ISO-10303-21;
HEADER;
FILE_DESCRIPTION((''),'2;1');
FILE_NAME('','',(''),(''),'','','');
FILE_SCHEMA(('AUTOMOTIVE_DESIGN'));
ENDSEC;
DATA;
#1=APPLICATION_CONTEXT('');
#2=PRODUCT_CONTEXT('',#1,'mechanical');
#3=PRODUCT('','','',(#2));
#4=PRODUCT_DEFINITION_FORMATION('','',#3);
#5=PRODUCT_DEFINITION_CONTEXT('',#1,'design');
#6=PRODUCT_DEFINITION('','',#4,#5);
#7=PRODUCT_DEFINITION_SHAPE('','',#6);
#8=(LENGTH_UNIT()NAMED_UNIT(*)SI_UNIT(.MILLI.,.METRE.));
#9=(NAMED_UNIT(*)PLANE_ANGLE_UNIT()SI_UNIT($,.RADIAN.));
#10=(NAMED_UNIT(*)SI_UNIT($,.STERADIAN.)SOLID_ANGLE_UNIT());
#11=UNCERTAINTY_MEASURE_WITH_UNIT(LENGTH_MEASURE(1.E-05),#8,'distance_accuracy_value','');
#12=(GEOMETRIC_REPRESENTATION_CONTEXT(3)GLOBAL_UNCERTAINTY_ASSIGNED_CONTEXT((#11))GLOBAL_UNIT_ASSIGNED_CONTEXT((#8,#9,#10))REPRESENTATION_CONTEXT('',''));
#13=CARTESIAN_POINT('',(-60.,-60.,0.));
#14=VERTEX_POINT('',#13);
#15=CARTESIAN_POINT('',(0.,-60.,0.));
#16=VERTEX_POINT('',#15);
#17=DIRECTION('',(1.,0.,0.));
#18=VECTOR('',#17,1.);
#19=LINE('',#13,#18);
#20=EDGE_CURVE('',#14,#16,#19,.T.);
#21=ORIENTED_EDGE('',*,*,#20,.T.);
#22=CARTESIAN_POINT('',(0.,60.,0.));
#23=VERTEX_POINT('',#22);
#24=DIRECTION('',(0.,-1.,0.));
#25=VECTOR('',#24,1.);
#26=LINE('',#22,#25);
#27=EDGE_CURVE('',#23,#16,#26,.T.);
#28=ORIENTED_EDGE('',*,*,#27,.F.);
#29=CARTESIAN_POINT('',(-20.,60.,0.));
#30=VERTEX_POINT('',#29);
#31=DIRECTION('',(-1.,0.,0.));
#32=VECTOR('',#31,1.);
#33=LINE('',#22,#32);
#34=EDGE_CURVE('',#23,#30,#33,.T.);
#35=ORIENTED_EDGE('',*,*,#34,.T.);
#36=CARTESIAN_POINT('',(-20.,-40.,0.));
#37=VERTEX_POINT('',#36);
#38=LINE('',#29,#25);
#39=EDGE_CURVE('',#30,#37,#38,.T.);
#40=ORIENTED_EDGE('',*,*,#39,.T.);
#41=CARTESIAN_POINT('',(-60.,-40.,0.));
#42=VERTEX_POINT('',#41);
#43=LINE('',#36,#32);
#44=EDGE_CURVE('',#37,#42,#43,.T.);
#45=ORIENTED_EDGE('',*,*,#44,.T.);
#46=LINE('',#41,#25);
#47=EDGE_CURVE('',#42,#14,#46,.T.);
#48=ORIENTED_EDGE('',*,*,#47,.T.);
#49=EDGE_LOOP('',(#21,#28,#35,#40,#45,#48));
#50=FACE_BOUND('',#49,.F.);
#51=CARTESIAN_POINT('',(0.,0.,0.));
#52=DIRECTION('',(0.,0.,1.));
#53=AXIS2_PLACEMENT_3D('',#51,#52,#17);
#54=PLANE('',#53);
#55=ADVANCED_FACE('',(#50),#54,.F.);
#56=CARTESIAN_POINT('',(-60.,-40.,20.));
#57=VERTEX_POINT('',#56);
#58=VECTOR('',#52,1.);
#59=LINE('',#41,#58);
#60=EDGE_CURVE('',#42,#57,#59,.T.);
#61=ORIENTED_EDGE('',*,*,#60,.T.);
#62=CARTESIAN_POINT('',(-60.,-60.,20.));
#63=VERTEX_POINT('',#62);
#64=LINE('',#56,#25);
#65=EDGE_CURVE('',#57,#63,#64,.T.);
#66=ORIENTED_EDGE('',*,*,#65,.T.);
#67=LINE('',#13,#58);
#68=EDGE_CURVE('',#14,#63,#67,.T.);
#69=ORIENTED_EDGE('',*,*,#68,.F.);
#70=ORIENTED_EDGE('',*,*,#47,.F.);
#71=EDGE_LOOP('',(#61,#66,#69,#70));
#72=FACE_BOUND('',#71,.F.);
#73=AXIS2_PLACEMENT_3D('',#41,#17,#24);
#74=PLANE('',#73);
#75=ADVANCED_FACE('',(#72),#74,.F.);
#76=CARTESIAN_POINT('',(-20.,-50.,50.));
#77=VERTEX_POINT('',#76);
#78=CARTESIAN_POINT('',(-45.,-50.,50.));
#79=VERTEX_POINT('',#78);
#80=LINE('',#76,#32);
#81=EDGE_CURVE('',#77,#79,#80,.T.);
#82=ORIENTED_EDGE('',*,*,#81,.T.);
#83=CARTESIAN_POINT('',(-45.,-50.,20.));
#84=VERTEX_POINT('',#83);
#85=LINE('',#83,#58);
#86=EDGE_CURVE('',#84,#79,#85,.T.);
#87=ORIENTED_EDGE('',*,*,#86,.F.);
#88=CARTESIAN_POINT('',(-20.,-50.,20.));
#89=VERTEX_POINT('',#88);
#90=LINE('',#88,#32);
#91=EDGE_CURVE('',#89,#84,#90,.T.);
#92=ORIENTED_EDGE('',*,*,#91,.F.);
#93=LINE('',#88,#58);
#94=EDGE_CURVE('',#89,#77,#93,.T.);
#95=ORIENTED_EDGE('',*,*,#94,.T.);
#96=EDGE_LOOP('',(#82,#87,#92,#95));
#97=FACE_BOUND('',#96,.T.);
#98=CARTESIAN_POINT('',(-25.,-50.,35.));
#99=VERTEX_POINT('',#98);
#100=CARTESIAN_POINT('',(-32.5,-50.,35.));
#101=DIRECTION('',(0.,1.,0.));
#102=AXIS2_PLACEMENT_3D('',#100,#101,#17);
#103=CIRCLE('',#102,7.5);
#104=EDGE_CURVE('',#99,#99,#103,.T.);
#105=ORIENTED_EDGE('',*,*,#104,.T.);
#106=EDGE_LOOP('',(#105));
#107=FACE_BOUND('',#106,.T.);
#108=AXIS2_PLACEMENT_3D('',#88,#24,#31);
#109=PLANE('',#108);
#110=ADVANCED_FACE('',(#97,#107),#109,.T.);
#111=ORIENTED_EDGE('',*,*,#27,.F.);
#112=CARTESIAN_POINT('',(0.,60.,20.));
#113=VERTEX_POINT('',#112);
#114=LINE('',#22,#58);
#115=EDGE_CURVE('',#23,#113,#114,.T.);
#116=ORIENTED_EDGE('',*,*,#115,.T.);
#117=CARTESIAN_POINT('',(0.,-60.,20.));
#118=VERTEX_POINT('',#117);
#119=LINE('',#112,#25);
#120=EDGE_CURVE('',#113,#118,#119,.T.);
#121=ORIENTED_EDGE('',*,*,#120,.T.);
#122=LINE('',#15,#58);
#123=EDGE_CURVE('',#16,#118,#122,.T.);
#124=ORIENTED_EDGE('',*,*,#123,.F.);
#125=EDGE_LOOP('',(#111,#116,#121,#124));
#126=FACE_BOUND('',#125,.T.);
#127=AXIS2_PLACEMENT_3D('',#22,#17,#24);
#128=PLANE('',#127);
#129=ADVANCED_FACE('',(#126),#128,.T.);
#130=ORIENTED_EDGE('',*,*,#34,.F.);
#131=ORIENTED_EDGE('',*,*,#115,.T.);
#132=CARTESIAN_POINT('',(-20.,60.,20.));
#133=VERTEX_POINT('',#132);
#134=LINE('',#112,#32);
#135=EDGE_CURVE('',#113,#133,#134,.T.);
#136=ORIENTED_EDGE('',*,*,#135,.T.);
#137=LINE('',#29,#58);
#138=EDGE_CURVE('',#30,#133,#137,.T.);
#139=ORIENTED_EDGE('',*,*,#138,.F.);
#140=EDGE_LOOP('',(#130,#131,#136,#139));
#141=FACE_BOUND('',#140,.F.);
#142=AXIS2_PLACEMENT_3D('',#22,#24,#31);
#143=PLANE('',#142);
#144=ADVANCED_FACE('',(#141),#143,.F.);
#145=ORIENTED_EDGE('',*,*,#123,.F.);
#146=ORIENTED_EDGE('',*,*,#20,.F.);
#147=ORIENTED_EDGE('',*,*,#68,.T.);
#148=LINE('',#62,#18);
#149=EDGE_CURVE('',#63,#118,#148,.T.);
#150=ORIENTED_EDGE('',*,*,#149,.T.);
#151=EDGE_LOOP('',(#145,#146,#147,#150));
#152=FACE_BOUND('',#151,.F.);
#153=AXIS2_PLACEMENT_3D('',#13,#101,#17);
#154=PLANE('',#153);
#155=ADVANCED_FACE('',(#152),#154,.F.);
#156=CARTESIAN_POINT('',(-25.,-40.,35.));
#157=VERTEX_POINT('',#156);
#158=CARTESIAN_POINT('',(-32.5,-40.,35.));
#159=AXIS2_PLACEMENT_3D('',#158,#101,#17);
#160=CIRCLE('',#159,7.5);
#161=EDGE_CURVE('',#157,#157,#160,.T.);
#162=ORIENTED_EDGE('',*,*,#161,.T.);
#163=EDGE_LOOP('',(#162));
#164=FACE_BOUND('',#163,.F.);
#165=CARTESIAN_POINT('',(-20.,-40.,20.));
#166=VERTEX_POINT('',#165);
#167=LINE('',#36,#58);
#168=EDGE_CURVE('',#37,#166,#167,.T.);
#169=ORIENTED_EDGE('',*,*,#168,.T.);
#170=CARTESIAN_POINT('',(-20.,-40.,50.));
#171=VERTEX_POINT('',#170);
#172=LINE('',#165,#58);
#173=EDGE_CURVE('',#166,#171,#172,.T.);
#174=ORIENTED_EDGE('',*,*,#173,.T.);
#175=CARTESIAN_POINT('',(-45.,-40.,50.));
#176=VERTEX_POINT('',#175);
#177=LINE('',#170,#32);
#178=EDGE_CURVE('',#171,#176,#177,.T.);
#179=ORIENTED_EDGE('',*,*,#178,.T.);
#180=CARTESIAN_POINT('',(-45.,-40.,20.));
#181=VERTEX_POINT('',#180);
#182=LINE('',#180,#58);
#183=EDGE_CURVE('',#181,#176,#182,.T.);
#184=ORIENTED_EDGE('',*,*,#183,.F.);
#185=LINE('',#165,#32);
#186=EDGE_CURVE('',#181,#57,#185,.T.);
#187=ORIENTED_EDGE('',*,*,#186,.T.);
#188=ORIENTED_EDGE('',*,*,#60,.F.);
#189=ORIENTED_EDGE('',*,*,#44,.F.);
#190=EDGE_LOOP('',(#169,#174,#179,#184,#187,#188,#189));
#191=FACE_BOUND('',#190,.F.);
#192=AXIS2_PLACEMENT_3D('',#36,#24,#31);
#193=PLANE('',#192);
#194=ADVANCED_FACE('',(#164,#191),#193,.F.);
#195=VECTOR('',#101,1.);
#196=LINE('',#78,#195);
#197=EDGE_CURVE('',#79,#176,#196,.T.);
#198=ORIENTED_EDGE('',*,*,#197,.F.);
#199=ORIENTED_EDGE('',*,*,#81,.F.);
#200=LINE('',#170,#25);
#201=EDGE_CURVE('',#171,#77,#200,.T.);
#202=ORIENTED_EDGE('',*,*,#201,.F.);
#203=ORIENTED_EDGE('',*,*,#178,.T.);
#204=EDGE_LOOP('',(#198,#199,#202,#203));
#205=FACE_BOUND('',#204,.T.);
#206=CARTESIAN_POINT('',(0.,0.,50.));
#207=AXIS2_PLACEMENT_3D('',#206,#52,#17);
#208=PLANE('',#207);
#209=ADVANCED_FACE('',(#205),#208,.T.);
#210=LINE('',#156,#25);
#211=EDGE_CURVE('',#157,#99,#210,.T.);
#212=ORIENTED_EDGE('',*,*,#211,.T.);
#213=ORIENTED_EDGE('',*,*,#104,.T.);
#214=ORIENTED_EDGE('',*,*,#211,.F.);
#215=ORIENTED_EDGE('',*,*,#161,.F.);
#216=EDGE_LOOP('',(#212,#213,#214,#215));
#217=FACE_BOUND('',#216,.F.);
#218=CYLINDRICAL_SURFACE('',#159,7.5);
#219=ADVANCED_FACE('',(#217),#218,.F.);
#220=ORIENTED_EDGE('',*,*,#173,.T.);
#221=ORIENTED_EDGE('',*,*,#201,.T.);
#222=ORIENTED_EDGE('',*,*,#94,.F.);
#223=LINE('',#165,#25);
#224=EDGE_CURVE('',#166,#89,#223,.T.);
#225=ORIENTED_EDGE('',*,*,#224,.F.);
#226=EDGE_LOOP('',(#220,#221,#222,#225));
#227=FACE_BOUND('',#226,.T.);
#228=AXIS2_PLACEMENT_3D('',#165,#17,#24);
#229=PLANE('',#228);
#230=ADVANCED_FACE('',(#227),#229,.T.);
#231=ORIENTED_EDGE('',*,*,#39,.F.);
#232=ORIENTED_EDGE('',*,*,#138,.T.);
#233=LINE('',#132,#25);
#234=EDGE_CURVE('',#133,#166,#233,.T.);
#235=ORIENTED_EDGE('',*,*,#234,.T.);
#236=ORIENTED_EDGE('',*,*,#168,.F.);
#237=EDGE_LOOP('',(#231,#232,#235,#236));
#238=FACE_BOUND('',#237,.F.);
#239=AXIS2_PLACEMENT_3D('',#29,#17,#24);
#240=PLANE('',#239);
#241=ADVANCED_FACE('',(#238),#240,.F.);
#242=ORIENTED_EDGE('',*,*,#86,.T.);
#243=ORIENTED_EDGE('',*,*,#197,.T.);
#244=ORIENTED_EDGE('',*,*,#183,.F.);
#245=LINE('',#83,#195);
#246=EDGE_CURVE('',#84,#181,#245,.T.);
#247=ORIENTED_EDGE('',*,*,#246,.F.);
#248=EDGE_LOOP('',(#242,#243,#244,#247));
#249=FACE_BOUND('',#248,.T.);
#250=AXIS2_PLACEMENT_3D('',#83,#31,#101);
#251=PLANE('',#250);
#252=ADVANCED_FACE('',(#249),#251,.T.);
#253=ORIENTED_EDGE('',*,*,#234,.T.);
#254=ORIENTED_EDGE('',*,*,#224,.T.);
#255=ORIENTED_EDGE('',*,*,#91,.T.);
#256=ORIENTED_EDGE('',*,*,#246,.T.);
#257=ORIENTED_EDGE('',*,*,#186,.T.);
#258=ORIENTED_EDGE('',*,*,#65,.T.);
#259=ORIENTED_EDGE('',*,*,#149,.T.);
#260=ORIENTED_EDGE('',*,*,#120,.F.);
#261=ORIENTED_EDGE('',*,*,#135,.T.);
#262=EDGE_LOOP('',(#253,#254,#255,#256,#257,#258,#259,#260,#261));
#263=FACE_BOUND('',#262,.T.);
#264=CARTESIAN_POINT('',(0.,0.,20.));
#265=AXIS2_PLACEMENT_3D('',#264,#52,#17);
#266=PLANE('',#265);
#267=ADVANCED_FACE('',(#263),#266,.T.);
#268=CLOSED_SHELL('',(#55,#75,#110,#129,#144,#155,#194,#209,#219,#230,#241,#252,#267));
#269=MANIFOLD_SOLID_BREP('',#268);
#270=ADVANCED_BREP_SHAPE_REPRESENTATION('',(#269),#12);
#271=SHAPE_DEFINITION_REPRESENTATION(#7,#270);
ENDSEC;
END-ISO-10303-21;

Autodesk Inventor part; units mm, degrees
ref_plane "YZ Plane" through (0, 0, 0) normal (1, 0, 0) x (0, 1, 0)
ref_plane "XZ Plane" through (0, 0, 0) normal (0, 1, 0) x (-1, 0, 0)
ref_plane "XY Plane" through (0, 0, 0) normal (0, 0, 1) x (1, 0, 0)
sketch "Sketch1" plane through (0, 0, 0) normal (0, 0, 1) x (1, 0, 0)
  line L0 (0, 60) -> (0, -60)
  line L1 (0, 60) -> (-20, 60)
  line L2 (-20, 60) -> (-20, -40)
  line L3 (-20, -40) -> (-60, -40)
  line L4 (-60, -40) -> (-60, -60)
  line L5 (-60, -60) -> (0, -60)
  point P0 (0, 0)
  dimension "d0" = 120
  dimension "d1" = 20
  dimension "d2" = 100
  dimension "d3" = 40
  dimension "d4" = 20
extrude "Extrusion1" add sketch "Sketch1" along normal blind 20
sketch "Sketch2" plane through (0, 0, 20) normal (0, 0, 1) x (1, 0, 0)
  line L0 (-20, -40) -> (-60, -40) projected
  line L1 (-20, -40) -> (-20, -50)
  line L2 (-20, -50) -> (-45, -50)
  line L3 (-45, -50) -> (-45, -40)
  point P0 (0, 0)
  dimension "d7" = 10
  dimension "d8" = 25
extrude "Extrusion2" add sketch "Sketch2" along normal blind 30
sketch "Sketch3" plane through (-60, -40, 0) normal (0, 1, 0) x (1, 0, 0)
  point P0 (60, 0)
sketch "Sketch4" plane through (-60, -40, 0) normal (0, 1, 0) x (1, 0, 0)
  line L0 (40, -50) -> (15, -50) projected
  line L1 (40, -20) -> (40, -50) projected
  circle A0 centre (27.5, -35) radius 7.5
  point P0 (60, 0)
  dimension "d11" = 15
extrude "Extrusion3" cut sketch "Sketch4" against normal blind 10
properties part number "steering_helper_base[1]"
